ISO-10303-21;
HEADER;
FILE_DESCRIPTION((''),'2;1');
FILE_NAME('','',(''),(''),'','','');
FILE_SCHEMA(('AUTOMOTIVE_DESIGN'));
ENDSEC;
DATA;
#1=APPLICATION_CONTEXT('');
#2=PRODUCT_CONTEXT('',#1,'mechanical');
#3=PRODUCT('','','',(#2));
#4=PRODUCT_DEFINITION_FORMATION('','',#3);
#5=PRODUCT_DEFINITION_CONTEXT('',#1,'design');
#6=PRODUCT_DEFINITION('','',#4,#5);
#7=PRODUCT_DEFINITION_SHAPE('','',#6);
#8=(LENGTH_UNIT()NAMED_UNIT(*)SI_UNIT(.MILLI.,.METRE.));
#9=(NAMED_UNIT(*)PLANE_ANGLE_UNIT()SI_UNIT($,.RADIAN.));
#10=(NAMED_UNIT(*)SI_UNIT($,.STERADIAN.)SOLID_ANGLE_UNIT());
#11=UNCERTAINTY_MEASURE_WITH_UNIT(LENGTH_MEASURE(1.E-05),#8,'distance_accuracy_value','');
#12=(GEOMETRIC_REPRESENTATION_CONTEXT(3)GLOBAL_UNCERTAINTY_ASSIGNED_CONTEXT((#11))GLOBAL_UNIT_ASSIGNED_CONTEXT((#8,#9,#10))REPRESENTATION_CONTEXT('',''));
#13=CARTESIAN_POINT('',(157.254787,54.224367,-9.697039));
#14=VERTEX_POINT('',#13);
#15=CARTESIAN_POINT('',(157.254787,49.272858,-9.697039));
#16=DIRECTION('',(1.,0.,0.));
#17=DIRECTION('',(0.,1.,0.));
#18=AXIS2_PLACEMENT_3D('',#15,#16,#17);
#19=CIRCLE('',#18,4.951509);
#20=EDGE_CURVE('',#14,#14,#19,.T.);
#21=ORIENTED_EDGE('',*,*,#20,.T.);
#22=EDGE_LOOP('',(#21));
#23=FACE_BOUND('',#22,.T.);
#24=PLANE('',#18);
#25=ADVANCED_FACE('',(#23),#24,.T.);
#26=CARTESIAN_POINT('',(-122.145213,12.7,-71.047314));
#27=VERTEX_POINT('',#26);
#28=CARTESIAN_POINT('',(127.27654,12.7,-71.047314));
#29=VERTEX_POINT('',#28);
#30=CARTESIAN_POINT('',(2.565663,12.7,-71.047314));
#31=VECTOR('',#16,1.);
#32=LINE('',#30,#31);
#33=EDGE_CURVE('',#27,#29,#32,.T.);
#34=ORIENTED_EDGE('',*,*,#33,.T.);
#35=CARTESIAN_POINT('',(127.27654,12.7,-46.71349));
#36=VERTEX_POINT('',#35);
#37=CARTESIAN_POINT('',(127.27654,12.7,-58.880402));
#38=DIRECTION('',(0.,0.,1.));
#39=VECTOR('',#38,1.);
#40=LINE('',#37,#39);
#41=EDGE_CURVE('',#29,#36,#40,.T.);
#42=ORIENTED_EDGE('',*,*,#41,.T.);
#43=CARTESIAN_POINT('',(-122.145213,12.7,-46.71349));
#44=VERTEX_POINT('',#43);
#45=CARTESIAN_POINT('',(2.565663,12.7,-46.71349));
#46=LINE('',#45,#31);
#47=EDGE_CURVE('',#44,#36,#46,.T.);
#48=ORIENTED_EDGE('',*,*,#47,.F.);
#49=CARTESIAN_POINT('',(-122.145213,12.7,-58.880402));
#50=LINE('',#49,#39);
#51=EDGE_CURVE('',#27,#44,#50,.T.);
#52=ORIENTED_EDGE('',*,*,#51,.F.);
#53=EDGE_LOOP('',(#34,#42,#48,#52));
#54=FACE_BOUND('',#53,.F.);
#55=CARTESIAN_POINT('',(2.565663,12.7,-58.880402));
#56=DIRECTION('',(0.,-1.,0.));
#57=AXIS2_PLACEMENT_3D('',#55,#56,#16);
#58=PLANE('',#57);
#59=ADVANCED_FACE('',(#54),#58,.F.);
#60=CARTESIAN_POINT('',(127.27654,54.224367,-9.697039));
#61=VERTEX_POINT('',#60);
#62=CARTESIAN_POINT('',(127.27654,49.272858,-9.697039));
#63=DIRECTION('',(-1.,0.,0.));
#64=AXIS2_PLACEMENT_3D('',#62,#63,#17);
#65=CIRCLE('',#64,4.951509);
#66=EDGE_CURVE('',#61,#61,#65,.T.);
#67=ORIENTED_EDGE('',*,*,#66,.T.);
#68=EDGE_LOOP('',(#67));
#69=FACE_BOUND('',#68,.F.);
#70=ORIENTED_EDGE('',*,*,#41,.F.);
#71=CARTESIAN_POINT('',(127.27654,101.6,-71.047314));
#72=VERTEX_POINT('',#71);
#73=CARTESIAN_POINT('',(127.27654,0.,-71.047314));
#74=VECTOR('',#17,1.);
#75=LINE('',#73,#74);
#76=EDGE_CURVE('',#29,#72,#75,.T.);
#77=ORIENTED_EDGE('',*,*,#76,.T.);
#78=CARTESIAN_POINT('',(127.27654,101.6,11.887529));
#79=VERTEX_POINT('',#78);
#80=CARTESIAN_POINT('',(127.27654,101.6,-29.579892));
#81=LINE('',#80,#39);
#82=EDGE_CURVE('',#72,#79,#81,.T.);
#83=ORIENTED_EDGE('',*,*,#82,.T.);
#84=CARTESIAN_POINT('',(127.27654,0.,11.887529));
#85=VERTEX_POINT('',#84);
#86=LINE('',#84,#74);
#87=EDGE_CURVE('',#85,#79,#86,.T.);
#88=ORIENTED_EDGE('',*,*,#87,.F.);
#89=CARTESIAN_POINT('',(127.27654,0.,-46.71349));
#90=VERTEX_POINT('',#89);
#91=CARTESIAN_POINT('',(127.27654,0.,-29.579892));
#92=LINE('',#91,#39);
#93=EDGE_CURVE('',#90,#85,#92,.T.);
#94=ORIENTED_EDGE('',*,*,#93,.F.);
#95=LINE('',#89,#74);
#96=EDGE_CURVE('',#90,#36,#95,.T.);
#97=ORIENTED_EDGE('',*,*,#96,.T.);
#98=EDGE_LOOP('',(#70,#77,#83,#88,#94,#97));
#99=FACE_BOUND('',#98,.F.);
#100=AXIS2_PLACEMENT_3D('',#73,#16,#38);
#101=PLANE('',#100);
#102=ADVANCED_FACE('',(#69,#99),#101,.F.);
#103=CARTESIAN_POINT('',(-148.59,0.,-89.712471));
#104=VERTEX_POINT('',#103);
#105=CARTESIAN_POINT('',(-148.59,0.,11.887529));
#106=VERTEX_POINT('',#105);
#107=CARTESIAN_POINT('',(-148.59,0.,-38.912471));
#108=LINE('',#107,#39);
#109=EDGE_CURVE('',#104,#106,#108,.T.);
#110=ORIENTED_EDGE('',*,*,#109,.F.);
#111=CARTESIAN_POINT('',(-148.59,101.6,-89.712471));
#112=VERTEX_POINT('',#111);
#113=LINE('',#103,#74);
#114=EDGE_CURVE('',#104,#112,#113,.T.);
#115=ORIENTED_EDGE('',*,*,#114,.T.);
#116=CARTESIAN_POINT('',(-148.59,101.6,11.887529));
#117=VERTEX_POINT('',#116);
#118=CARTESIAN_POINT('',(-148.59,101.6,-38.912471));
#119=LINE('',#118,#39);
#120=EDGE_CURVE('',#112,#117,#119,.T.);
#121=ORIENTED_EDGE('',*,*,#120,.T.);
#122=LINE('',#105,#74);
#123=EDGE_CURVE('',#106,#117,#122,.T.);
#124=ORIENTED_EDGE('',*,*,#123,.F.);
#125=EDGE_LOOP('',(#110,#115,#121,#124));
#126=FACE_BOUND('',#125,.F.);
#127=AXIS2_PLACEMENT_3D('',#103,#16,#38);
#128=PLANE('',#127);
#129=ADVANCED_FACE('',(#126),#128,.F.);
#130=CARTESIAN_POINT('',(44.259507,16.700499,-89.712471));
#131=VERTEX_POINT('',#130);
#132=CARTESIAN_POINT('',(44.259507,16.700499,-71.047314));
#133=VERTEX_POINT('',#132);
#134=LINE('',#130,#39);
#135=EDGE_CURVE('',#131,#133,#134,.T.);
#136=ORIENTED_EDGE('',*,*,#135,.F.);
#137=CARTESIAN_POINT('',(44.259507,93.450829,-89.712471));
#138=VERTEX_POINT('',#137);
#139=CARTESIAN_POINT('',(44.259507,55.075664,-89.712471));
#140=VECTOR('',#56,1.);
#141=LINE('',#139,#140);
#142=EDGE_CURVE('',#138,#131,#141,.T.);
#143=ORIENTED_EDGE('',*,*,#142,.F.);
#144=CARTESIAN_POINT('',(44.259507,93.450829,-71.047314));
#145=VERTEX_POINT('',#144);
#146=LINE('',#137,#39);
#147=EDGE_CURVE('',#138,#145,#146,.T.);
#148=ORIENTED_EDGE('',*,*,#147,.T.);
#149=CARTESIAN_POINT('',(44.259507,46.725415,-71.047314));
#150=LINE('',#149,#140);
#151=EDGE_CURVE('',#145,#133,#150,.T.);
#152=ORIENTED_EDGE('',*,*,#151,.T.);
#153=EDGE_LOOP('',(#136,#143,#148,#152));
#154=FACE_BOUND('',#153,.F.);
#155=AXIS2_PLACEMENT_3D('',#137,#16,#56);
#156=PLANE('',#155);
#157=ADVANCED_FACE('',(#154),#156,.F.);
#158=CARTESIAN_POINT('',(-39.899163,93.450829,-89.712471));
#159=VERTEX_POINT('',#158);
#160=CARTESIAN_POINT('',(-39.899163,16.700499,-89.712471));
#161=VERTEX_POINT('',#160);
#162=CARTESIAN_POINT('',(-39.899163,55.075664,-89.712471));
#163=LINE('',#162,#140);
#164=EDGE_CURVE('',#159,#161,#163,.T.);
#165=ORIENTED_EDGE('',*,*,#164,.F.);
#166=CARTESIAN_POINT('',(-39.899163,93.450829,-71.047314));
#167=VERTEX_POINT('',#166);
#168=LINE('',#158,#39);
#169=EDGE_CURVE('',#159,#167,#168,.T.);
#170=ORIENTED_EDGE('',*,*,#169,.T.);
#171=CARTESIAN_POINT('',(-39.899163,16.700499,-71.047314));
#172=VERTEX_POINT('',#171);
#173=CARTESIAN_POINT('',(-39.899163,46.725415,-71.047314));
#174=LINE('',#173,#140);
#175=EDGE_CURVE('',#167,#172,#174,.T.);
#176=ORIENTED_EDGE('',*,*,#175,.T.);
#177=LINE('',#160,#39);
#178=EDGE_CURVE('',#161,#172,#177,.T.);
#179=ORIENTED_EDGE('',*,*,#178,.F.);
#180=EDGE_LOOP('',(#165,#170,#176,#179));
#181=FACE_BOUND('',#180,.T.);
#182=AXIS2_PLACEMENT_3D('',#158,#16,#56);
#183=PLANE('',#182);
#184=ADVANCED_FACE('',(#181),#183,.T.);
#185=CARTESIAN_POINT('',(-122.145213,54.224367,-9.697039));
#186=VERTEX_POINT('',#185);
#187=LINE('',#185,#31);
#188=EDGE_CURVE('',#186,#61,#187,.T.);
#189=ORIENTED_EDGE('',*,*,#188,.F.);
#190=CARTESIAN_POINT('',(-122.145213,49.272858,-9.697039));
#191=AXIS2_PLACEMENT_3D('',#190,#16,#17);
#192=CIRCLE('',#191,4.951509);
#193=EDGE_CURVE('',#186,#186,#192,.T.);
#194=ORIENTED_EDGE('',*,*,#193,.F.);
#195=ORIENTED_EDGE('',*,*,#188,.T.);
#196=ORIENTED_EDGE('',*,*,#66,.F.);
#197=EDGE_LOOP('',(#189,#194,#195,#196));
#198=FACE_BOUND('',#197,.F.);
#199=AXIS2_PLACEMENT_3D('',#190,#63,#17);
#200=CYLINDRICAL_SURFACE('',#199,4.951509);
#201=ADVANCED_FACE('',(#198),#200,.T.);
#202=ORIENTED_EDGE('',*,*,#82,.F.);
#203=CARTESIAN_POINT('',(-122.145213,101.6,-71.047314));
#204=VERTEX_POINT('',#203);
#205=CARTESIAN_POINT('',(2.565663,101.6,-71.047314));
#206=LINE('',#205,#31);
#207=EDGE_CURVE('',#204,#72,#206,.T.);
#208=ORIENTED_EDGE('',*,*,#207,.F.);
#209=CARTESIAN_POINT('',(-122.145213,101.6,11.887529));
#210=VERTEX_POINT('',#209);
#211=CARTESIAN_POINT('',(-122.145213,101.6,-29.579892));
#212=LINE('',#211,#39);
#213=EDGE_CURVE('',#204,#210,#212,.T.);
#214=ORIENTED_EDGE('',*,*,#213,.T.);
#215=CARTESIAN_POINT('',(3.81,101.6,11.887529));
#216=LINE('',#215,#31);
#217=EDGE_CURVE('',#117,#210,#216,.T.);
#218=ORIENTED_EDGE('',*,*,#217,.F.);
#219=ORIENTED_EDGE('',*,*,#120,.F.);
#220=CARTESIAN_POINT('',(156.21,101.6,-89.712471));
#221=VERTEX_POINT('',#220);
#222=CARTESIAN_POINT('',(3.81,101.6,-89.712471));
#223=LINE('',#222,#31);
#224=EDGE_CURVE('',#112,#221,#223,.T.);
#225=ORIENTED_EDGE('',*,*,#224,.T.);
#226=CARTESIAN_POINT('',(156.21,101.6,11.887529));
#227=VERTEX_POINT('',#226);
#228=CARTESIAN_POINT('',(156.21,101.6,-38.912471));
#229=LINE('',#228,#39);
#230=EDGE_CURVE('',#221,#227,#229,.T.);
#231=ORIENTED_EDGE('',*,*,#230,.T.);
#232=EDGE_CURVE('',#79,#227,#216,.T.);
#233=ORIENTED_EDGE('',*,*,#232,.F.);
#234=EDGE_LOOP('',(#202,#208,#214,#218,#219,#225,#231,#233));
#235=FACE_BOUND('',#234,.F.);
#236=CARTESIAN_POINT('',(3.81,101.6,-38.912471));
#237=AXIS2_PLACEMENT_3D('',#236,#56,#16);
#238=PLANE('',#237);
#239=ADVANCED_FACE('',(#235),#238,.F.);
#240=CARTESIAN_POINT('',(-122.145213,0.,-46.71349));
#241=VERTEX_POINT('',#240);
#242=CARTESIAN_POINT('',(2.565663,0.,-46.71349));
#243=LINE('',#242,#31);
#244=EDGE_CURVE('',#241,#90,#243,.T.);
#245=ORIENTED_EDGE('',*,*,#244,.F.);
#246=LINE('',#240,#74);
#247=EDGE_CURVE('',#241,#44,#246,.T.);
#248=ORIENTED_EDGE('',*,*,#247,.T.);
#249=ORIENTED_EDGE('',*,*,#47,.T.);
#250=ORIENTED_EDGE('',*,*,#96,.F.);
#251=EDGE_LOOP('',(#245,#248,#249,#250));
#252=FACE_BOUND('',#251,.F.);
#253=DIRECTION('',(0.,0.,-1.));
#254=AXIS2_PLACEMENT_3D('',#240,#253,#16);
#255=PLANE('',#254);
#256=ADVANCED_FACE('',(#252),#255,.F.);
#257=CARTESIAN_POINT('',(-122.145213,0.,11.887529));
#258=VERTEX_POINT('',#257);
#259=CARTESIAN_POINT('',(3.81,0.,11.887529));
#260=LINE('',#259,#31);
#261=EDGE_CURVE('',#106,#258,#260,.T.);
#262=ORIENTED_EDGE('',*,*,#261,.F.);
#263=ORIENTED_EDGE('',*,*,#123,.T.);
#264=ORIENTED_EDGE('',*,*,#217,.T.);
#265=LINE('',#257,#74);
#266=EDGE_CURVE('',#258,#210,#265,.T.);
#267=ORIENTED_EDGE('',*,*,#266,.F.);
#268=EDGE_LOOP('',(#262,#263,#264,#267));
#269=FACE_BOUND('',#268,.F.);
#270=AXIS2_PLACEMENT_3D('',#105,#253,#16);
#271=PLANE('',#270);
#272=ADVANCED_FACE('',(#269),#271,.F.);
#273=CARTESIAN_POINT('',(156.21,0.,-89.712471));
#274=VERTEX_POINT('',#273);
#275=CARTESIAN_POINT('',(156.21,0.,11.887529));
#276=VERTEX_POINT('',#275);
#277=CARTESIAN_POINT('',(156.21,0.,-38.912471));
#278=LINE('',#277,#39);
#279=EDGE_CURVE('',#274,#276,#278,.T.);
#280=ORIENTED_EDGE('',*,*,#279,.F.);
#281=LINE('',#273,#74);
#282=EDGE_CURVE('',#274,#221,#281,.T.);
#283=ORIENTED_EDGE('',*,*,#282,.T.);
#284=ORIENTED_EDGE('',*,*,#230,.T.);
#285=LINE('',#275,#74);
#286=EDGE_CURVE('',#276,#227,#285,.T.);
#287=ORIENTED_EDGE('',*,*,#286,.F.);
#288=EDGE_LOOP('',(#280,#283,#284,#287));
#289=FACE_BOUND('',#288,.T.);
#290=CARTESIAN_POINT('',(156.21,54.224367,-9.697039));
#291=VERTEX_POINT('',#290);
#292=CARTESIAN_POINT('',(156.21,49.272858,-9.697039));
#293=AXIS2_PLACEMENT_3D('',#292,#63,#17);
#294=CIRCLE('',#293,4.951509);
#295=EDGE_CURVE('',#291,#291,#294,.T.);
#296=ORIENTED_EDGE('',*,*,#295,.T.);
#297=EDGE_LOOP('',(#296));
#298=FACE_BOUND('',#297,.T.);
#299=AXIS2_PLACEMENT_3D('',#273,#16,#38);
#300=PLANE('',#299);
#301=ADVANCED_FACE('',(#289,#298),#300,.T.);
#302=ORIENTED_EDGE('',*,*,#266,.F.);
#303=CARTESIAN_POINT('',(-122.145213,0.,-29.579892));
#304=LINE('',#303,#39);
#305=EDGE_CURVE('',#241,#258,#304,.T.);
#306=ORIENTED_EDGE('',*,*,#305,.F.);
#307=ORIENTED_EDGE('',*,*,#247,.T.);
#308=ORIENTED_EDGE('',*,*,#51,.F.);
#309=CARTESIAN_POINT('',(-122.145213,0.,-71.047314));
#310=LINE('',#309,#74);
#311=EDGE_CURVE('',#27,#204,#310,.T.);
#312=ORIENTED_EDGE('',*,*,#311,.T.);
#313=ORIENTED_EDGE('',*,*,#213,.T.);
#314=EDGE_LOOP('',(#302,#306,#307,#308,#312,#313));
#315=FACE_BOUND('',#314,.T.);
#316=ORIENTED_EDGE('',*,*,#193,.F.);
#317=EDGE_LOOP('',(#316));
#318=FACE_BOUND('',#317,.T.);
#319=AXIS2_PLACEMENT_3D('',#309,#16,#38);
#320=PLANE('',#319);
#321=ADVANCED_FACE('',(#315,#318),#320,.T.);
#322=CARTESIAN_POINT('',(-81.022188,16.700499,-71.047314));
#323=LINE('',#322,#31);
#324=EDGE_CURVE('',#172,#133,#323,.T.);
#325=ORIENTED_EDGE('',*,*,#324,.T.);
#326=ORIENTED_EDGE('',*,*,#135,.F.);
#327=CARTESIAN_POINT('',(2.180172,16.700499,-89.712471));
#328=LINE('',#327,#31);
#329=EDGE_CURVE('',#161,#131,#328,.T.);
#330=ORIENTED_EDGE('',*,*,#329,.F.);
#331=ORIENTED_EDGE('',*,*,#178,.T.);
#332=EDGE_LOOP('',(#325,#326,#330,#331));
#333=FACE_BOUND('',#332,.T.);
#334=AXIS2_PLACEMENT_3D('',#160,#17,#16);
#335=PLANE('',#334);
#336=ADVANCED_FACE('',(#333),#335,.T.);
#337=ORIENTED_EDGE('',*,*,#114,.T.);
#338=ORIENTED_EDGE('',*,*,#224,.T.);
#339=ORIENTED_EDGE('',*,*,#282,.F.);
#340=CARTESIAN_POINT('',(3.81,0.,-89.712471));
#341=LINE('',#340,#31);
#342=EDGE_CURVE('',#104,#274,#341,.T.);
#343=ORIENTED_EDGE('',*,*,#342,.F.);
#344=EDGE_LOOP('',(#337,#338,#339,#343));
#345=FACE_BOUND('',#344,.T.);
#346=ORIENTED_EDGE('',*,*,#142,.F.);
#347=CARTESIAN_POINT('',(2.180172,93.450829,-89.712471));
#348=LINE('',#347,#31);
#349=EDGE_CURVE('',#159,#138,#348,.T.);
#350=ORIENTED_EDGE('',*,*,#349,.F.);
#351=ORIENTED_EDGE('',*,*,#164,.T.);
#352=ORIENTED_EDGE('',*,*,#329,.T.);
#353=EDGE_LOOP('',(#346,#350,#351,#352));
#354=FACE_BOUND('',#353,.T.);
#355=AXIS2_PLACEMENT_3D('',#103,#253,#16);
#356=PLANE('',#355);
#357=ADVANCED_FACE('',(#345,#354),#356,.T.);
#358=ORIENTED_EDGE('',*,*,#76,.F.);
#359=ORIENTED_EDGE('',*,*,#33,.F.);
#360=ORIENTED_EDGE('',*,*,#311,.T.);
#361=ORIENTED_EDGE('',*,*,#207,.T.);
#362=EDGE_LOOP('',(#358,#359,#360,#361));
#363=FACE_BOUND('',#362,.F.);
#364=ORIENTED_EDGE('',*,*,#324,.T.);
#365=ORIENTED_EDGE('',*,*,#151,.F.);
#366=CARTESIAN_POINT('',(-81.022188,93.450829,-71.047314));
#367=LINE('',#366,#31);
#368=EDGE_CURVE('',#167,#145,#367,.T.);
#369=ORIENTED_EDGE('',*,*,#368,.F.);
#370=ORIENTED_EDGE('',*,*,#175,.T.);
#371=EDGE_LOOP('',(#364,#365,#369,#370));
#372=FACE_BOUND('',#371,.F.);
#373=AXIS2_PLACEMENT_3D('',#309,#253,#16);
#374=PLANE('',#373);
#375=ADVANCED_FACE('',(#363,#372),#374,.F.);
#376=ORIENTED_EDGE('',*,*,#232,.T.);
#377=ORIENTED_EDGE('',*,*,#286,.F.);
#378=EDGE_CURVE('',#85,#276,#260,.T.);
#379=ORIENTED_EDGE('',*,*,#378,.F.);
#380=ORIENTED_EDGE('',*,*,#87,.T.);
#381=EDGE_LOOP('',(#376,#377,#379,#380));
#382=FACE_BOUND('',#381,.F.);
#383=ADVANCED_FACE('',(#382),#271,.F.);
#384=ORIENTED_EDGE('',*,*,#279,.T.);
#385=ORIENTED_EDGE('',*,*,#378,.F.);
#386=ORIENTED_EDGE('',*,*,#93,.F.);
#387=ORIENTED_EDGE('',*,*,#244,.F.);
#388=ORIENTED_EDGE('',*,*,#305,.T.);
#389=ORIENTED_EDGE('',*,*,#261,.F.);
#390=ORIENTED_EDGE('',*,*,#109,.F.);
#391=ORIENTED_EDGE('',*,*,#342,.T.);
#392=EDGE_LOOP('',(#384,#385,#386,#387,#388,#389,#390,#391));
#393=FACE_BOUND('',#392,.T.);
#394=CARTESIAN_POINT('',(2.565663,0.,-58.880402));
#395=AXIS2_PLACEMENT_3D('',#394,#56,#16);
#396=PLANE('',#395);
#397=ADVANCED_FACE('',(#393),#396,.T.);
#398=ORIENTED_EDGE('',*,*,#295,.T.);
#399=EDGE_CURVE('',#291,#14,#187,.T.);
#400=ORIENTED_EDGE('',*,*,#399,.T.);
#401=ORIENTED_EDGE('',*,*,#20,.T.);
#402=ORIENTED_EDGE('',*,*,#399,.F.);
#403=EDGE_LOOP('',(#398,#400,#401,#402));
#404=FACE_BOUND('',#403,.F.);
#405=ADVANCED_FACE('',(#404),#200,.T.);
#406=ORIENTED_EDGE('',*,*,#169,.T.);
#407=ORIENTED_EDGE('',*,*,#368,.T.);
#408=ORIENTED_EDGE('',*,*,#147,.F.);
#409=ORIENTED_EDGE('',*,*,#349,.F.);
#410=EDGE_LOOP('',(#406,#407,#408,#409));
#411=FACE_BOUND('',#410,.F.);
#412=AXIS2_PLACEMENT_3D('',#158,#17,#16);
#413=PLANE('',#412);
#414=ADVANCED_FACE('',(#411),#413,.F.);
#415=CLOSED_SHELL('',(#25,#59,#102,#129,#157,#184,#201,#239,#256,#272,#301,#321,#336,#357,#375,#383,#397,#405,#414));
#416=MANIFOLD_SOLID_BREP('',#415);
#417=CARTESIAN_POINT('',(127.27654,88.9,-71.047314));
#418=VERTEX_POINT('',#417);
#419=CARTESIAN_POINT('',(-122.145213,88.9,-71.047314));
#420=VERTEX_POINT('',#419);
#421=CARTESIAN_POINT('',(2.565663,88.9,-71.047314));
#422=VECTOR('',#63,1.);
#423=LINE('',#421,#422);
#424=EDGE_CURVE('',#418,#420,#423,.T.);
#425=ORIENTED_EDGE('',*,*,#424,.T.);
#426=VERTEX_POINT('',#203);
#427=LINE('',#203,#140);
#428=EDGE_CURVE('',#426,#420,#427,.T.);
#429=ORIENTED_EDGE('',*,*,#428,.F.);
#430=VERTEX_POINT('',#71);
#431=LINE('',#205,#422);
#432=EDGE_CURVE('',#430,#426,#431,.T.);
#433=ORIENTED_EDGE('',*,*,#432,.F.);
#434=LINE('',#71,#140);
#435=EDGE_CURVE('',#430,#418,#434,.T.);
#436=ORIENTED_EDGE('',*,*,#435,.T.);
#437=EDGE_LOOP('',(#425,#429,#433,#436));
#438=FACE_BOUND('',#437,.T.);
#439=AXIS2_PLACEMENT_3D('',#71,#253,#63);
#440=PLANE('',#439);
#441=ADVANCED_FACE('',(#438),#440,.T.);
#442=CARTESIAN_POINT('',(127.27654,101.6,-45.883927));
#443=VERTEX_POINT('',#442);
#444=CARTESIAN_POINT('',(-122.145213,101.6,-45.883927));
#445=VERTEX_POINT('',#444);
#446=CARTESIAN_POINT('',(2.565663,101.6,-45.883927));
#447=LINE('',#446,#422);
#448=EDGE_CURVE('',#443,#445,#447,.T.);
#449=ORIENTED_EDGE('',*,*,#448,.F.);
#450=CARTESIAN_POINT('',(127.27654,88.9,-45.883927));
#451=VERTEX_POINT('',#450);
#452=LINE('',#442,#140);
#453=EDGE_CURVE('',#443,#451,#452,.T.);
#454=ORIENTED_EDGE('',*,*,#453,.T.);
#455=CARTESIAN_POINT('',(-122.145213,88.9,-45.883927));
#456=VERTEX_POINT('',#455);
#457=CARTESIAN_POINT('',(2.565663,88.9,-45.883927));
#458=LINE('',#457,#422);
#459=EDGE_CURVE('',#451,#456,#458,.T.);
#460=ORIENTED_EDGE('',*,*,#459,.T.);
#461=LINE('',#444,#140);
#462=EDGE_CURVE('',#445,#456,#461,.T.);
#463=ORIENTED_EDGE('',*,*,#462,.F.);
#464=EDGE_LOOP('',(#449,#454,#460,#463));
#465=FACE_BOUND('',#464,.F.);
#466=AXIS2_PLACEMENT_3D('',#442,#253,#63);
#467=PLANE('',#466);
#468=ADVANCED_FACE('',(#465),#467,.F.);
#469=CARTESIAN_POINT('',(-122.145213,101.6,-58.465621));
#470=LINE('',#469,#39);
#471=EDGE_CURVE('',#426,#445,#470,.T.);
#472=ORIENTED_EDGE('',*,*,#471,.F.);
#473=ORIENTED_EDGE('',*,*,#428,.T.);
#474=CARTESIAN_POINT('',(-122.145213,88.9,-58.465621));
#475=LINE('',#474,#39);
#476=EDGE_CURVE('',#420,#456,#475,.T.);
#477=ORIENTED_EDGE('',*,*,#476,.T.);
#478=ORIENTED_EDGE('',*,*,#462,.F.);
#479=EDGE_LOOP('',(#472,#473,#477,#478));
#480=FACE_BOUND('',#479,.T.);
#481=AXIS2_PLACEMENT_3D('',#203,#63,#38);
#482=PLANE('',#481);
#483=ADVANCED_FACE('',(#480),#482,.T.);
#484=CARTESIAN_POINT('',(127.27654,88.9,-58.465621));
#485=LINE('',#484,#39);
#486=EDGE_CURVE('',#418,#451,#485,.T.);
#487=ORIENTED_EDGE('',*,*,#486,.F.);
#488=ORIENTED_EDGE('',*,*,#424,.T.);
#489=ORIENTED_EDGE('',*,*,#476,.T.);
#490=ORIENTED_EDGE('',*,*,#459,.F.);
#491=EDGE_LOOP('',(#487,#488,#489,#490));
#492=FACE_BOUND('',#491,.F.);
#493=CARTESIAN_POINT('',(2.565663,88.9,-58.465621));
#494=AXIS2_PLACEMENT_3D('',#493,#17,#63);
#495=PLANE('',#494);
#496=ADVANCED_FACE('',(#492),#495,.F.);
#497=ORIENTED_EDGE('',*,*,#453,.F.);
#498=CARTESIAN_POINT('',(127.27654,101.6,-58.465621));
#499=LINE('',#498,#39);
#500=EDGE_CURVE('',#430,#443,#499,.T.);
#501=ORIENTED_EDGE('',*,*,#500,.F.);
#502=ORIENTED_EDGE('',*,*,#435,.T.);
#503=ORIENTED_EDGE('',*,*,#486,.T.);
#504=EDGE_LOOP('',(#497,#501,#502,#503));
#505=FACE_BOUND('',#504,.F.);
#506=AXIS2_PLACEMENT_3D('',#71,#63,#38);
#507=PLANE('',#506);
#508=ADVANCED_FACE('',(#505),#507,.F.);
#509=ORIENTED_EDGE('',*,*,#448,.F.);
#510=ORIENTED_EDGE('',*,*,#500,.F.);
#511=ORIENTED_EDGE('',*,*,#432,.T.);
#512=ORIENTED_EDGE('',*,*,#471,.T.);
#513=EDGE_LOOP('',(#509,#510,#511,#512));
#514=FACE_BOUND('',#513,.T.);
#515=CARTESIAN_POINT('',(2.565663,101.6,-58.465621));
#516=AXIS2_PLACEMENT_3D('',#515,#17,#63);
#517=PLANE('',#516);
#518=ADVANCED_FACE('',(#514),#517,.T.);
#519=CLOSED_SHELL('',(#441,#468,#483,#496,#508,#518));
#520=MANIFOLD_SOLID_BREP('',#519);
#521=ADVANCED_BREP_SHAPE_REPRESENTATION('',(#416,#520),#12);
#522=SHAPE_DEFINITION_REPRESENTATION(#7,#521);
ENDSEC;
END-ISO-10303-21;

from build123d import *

# Parameters (mm, degrees)
F0_W      = 304.8
F0_H      = 101.6
F1_DEPTH  = 101.6
F2_W      = 249.4217529893
F2_H      = 82.9348426428
F3_DEPTH  = 101.6
F4_W      = 84.1586701572
F4_H      = 76.750330627
F5_DEPTH  = 25.4
F6_W      = 249.4217529893
F6_H      = 24.3338234723
F7_DEPTH  = 12.7
F8_W      = 249.4217529893
F8_H      = 25.1633860171
F9_DEPTH  = 12.7
F10_R     = 4.9515094563
F11_DEPTH = 279.4


with BuildPart() as f1:
    # F0 (on Front) → F1 (new body)
    with BuildSketch(Plane.XZ):
        with Locations((3.8099996746, -38.9124708686)):
            Rectangle(F0_W, F0_H)
    extrude(amount=-F1_DEPTH)

    # F2 (on face) → F3 (cut)
    with BuildSketch(Plane.XZ):
        with Locations((2.5656633079, -29.57989219)):
            Rectangle(F2_W, F2_H)
    extrude(amount=-F3_DEPTH, mode=Mode.SUBTRACT)

    # F4 (on face) → F5 (cut)
    with BuildSketch(Plane(origin=(0, 0, -89.7124708686), x_dir=(1, 0, 0), z_dir=(0, 0, -1))):
        with Locations((2.1801721305, -55.0756640732)):
            Rectangle(F4_W, F4_H)
    extrude(amount=-F5_DEPTH, mode=Mode.SUBTRACT)

    # F6 (on face) → F7 (join)
    with BuildSketch(Plane.XZ):
        with Locations((2.5656633079, -58.8804017752)):
            Rectangle(F6_W, F6_H)
    extrude(amount=-F7_DEPTH)

    # F10 (on face) → F11 (join)
    with BuildSketch(Plane.YZ.offset(-122.1452131867)):
        with Locations((49.2728576064, -9.6970386803)):
            Circle(F10_R)
    extrude(amount=F11_DEPTH)


with BuildPart() as f9:
    # F8 (on face) → F9 (new body)
    with BuildSketch(Plane(origin=(0, 101.6, 0), x_dir=(-1, 0, 0), z_dir=(0, 1, 0))):
        with Locations((-2.5656633079, -58.4656205028)):
            Rectangle(F8_W, F8_H)
    extrude(amount=-F9_DEPTH)


solid = Compound([f1.part, f9.part])
